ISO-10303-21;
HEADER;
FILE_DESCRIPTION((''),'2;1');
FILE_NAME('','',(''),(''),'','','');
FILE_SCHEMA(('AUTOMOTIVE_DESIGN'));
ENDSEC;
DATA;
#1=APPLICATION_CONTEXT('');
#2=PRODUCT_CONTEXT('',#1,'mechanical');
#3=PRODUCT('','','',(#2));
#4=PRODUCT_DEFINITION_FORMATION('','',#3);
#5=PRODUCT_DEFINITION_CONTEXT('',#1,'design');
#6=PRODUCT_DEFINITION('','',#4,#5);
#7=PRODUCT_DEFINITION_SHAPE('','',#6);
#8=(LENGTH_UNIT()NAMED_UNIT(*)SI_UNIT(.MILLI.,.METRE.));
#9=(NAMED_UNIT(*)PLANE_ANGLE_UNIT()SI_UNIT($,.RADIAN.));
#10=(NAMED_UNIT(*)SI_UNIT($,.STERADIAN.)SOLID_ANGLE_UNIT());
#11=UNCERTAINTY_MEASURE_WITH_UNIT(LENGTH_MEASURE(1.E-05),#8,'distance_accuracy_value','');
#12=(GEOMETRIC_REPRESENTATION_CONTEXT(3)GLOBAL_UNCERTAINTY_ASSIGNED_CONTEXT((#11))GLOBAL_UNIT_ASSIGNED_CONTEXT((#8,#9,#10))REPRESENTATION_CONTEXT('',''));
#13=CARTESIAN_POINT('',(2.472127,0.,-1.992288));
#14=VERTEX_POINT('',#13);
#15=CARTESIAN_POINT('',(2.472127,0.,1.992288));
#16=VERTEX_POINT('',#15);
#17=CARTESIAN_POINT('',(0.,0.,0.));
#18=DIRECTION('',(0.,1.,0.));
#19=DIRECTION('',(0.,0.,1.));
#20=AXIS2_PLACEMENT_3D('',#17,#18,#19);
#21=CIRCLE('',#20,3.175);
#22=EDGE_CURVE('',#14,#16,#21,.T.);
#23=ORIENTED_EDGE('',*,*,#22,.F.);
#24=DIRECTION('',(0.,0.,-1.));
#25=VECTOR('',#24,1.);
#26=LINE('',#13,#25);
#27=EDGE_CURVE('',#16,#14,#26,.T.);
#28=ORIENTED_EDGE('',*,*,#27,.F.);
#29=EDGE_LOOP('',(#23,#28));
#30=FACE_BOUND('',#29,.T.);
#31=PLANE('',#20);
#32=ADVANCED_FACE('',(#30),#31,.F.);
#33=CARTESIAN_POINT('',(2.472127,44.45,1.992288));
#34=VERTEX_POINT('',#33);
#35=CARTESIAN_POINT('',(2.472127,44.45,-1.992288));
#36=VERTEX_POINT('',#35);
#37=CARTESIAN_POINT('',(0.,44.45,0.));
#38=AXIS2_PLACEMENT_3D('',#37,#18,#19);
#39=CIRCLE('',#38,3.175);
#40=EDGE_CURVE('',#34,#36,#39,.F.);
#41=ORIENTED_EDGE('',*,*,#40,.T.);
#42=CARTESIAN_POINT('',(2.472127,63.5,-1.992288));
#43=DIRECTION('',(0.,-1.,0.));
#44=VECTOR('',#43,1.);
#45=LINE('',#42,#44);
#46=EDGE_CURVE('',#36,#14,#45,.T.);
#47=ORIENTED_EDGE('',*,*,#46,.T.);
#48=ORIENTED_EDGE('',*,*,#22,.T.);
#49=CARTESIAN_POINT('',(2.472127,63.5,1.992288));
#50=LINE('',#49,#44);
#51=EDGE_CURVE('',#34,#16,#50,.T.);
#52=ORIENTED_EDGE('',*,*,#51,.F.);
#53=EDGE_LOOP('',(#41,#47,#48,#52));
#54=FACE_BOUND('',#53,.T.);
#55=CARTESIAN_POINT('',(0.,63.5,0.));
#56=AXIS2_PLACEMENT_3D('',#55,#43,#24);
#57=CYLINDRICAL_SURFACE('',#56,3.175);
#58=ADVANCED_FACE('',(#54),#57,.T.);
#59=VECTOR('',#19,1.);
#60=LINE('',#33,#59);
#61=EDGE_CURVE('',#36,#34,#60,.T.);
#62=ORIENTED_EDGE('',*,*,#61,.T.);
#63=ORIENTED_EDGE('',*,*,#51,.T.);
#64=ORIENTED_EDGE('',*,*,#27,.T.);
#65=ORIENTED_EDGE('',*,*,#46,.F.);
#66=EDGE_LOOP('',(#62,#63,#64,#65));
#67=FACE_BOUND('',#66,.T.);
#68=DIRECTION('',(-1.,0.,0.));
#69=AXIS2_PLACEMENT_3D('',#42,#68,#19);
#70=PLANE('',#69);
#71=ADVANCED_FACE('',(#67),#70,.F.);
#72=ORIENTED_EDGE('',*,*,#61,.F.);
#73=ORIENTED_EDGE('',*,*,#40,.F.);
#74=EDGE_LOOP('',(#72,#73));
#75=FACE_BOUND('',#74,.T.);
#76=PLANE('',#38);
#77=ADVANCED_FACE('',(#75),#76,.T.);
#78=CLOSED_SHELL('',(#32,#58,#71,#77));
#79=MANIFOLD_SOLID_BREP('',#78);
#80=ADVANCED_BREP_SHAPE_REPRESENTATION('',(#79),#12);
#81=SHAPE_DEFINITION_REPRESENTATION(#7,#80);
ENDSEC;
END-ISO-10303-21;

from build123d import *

# Parameters (mm, degrees)
BOSS_EXTRUDE1_DEPTH = 63.5
CUT_EXTRUDE1_DEPTH  = 19.05


with BuildPart() as part:
    # Sketch1 → Boss-Extrude1 (new body)
    with BuildSketch(Plane(origin=(0, 0, 0), x_dir=(1, 0, 0), z_dir=(0, 1, 0))):
        with BuildLine():
            Line((2.47212698, 1.992288431), (2.47212698, -1.992288431))
            ThreePointArc((2.47212698, -1.992288431), (-3.175, 0), (2.47212698, 1.992288431))
        make_face()
    extrude(amount=BOSS_EXTRUDE1_DEPTH)

    # Sketch3 → Cut-Extrude1 (cut)
    with BuildSketch(Plane(origin=(0, 63.5, 0), x_dir=(1, 0, 0), z_dir=(0, 1, 0))):
        with BuildLine():
            Line((2.47212698, -1.992288431), (2.47212698, 1.992288431))
            ThreePointArc((2.47212698, 1.992288431), (-3.175, 0), (2.47212698, -1.992288431))
        make_face()
    extrude(amount=-CUT_EXTRUDE1_DEPTH, mode=Mode.SUBTRACT)


solid = part.part
